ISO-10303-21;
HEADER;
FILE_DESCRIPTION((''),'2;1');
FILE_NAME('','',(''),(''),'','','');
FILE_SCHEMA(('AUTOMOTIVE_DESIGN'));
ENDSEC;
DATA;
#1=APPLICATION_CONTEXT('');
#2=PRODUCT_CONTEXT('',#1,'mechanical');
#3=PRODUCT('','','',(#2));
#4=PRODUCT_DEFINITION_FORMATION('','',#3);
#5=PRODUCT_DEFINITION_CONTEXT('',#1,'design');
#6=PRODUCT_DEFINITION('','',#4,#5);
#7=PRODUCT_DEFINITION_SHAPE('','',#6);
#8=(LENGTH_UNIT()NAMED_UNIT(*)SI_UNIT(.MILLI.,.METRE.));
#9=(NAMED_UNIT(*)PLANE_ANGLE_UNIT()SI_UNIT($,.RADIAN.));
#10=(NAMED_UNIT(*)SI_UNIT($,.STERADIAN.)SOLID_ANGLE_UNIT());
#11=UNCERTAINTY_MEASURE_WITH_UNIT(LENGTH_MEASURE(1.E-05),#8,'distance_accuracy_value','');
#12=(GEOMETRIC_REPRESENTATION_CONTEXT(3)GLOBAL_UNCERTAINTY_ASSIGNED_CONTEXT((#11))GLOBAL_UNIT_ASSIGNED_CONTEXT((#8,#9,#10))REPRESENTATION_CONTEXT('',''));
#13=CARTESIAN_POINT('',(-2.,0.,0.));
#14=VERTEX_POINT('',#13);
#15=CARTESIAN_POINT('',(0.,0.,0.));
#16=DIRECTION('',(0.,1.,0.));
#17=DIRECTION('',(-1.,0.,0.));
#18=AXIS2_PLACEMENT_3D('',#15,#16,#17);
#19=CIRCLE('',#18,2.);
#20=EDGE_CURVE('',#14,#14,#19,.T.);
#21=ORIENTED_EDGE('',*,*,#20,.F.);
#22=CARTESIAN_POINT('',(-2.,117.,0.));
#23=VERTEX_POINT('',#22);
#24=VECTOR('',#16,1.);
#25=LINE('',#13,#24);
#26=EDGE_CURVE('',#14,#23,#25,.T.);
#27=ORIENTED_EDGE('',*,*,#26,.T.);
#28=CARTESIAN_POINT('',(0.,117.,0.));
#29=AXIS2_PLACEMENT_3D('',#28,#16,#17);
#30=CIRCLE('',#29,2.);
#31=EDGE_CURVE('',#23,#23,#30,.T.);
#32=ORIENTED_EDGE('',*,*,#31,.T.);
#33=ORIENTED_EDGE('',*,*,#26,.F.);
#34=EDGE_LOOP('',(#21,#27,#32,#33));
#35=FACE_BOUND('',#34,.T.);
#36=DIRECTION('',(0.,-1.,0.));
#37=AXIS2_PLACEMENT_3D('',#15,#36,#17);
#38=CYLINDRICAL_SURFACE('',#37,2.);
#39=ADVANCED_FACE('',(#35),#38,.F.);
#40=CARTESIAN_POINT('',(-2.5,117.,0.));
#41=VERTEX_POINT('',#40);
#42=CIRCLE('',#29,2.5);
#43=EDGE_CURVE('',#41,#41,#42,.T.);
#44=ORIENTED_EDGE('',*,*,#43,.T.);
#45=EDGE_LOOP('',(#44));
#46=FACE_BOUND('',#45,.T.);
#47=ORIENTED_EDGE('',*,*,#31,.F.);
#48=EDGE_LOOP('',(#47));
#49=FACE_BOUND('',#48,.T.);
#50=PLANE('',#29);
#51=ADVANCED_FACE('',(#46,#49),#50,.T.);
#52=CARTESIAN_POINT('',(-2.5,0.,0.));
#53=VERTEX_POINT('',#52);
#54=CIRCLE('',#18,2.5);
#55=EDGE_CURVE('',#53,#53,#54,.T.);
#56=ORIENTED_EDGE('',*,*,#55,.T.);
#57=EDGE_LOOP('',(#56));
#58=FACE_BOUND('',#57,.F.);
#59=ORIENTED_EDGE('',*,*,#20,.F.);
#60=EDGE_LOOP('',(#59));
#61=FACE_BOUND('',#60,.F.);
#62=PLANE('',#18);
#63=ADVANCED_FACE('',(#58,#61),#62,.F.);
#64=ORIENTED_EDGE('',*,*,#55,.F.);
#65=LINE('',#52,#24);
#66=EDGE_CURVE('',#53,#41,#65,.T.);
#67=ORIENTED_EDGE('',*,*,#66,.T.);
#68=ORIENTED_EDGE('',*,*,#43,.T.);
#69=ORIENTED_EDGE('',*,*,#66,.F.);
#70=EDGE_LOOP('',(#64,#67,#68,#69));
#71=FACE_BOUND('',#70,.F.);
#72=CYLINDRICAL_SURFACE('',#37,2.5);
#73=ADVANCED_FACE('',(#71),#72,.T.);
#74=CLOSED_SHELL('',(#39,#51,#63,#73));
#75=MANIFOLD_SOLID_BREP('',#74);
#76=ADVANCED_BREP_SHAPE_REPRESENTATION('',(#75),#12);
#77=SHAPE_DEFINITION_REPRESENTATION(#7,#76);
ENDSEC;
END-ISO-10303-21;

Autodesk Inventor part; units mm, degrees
ref_plane "YZ Plane" through (0, 0, 0) normal (1, 0, 0) x (0, 1, 0)
ref_plane "XZ Plane" through (0, 0, 0) normal (0, 1, 0) x (-1, 0, 0)
ref_plane "XY Plane" through (0, 0, 0) normal (0, 0, 1) x (1, 0, 0)
sketch "Skizze1" plane through (0, 0, 0) normal (0, 1, 0) x (-1, 0, 0)
  circle A0 centre (0, 0) radius 2
  circle A1 centre (0, 0) radius 2.5
  dimension "d0" = 4
  dimension "d1" = 0.5
extrude "Extrusion1" add sketch "Skizze1" along normal blind 117
properties part number "Carbonrohr"
